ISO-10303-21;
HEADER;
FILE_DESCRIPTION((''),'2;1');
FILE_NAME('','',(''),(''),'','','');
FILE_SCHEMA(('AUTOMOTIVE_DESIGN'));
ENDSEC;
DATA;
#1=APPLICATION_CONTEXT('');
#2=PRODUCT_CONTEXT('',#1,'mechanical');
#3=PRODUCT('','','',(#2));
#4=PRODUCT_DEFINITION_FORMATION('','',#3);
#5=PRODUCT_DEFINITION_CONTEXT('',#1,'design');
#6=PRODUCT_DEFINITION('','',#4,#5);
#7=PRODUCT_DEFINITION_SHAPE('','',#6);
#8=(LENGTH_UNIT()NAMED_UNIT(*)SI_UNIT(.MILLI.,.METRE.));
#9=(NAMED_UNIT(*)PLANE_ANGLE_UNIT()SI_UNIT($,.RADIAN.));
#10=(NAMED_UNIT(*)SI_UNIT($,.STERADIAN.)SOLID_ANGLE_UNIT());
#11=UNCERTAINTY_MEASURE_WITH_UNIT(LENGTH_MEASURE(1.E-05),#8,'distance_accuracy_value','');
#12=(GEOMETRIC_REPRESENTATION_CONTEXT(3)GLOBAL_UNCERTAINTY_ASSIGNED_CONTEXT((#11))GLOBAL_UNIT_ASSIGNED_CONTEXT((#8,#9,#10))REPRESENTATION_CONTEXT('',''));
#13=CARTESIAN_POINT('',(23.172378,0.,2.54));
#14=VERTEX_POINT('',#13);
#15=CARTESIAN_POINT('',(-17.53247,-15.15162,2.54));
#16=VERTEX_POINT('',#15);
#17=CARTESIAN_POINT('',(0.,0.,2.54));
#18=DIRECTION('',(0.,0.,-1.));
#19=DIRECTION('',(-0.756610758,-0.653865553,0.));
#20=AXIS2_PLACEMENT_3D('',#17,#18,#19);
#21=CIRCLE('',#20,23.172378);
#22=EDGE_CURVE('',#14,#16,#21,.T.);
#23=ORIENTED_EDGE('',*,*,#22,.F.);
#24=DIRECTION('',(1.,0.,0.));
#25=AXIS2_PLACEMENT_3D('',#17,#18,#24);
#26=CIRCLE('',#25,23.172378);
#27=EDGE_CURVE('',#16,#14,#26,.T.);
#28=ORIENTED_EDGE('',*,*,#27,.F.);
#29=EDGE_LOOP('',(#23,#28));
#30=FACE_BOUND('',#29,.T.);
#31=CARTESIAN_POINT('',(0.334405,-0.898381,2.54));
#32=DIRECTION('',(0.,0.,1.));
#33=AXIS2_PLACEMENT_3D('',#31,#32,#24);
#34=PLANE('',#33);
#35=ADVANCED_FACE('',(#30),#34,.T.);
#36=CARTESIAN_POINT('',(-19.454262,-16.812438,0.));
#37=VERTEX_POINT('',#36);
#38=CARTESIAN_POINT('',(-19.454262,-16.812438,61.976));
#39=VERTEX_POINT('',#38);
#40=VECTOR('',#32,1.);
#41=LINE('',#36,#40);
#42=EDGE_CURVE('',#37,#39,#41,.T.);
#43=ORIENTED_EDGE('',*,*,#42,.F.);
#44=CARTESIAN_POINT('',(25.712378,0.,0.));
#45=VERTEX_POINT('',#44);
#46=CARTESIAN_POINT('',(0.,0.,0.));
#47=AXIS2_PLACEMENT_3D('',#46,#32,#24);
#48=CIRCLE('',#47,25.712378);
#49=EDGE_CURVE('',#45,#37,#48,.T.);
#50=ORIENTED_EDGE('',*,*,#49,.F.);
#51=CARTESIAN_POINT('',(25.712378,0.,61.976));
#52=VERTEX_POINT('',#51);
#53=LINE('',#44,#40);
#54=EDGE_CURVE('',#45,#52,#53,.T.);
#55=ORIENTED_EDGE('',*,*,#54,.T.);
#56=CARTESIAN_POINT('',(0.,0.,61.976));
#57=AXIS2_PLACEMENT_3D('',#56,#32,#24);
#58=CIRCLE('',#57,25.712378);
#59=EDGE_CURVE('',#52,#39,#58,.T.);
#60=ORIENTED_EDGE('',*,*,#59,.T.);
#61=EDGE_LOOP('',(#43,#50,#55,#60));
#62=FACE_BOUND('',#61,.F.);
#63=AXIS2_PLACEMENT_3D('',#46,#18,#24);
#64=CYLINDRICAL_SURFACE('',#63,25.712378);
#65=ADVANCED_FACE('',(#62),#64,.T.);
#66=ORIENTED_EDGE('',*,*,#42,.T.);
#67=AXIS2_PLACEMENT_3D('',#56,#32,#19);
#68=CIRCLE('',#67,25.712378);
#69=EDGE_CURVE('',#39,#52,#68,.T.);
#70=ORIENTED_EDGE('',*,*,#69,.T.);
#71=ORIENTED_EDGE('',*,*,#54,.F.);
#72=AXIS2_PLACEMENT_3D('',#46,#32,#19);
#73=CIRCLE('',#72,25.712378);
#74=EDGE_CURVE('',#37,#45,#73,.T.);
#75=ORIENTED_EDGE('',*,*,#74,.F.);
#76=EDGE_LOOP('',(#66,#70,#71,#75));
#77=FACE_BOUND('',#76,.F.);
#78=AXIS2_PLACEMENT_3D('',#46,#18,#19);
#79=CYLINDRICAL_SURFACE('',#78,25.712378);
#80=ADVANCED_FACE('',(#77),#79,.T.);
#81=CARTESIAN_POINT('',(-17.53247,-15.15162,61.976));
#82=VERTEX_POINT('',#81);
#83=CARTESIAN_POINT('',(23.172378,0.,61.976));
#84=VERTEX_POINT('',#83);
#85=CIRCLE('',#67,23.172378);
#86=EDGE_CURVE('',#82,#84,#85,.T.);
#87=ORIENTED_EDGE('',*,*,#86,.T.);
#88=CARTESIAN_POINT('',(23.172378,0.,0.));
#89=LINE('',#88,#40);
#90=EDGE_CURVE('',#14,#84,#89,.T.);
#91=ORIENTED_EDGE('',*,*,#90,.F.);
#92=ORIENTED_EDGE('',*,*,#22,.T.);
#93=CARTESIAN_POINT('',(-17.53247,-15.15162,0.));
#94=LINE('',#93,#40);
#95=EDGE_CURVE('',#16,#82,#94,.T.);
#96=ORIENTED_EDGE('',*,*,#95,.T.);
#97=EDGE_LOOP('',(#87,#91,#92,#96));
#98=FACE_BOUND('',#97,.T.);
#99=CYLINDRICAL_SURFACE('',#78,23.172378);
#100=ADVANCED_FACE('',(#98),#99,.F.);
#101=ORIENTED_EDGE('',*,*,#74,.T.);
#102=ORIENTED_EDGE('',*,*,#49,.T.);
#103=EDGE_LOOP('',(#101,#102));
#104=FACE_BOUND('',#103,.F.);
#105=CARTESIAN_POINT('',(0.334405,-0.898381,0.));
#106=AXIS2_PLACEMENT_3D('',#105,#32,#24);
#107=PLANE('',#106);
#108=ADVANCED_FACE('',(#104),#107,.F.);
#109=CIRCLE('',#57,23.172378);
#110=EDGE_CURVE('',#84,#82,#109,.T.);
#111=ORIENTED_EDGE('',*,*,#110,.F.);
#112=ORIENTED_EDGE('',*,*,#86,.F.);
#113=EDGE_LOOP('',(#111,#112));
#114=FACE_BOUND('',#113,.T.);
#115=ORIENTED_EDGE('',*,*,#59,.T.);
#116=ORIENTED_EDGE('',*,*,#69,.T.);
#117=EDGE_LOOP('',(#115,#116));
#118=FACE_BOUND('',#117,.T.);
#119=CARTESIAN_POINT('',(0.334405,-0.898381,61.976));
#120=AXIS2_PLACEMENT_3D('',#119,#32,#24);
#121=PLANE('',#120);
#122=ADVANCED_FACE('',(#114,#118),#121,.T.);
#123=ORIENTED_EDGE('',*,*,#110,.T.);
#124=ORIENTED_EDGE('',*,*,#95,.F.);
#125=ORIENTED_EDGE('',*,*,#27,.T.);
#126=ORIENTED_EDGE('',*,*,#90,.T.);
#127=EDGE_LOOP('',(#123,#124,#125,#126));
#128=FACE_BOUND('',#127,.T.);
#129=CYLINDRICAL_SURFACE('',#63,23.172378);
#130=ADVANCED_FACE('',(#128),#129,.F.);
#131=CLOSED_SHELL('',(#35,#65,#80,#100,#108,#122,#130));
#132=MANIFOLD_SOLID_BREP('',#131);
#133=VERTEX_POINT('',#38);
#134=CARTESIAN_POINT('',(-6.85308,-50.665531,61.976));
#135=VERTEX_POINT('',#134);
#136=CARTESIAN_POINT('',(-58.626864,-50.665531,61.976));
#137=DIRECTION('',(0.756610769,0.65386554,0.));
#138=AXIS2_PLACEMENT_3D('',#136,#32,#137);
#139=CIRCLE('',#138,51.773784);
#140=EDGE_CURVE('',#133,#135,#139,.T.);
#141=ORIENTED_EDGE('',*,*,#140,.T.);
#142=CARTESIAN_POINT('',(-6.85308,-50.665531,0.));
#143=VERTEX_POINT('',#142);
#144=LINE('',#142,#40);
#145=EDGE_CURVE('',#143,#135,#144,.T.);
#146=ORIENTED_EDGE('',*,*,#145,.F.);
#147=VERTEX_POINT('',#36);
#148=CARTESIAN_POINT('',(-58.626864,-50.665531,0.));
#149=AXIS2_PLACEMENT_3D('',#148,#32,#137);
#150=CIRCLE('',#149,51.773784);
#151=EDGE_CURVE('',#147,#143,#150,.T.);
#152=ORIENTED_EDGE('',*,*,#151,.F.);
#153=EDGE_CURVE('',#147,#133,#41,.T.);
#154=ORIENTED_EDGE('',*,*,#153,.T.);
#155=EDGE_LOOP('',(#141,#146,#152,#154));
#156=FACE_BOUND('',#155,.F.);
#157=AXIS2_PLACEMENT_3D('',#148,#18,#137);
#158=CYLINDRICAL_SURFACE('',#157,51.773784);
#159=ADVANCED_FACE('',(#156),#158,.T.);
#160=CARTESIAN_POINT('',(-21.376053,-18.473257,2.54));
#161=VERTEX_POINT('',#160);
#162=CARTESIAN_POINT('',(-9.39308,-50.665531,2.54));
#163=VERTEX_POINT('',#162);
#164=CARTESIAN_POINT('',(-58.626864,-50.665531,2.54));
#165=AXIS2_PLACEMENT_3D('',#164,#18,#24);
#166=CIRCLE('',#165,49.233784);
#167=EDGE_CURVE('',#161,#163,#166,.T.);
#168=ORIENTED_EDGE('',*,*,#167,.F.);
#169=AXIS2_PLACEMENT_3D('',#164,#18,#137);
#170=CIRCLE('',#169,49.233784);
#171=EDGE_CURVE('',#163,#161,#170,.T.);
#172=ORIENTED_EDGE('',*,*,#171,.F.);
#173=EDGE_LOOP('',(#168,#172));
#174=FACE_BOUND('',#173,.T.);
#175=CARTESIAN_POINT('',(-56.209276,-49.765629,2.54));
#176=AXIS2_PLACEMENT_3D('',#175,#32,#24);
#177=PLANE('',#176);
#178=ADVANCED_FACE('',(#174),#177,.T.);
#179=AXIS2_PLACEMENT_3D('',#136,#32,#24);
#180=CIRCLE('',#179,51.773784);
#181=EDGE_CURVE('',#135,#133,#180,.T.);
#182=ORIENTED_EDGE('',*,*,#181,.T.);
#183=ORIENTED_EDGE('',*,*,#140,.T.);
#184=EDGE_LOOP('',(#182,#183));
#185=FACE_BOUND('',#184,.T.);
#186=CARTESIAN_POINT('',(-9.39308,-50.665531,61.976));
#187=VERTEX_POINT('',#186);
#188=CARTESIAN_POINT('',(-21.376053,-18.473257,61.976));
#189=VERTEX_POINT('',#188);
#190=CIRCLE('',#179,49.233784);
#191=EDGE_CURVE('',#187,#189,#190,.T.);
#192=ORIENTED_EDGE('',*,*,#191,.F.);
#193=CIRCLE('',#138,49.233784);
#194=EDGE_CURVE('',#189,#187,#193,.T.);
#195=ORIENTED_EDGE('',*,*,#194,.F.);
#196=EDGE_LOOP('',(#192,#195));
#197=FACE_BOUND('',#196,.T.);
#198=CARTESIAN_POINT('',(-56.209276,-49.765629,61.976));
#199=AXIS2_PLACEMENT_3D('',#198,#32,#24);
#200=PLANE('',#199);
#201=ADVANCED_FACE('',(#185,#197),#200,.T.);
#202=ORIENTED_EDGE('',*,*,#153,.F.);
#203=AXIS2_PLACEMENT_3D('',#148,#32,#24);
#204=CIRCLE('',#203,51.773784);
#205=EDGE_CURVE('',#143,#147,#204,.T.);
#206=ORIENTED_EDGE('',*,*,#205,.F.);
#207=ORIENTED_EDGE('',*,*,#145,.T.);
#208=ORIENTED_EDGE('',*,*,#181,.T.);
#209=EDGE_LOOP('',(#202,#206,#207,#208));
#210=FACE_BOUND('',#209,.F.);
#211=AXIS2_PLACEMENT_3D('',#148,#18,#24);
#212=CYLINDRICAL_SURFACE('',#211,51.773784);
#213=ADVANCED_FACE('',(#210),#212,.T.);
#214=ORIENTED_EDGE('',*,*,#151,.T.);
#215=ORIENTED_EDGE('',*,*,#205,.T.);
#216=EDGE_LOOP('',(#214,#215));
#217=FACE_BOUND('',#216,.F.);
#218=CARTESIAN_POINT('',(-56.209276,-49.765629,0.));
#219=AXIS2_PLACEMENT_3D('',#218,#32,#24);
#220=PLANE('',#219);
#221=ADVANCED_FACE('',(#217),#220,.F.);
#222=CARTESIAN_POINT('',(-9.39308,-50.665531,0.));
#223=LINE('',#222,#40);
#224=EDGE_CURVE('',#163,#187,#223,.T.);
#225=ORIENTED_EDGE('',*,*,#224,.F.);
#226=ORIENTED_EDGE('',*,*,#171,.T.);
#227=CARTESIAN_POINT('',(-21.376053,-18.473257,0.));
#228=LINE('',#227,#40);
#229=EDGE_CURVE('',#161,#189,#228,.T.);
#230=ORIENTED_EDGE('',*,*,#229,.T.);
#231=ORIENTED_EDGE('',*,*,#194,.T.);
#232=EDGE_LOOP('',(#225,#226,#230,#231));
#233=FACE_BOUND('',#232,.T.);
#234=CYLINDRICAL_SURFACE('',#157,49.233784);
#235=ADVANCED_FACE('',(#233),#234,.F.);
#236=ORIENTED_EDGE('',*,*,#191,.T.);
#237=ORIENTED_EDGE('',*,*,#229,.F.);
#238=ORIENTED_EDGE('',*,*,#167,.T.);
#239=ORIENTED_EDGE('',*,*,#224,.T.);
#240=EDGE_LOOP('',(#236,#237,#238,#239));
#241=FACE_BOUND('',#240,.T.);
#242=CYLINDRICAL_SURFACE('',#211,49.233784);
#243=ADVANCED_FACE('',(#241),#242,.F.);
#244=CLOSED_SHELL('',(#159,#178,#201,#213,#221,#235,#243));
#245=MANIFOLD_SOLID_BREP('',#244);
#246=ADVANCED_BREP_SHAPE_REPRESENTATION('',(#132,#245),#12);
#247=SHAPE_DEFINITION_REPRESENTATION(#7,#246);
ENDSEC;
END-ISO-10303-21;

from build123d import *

# Parameters (mm, degrees)
F1_DEPTH = 61.976
F2_T     = -2.54
F2_2_T   = -2.54


with BuildPart() as f1:
    # F0 (on Top) → F1 (new body)
    with BuildSketch(Plane.XY):
        with BuildLine():
            ThreePointArc((-19.4542617316, -16.8124381999), (-107.1481920765, -68.7266891224), (-6.8530802985, -50.6655313075))
            ThreePointArc((-6.8530802985, -50.6655313075), (-10.1055361344, -32.6043734926), (-19.4542617316, -16.8124381999))
        make_face()
    extrude(amount=F1_DEPTH)

    # F2
    f2_openings = [f1.faces().sort_by_distance(p)[0] for p in [
        (-58.626864, -50.665531, 61.976),
    ]]
    offset(amount=F2_T, openings=f2_openings)


with BuildPart() as f1b:
    # F0 (on Top) → F1, piece 2 (new body)
    with BuildSketch(Plane.XY):
        with BuildLine():
            ThreePointArc((25.7123779092, 0), (-8.9697003339, 24.0971129737), (-19.4542617316, -16.8124381999))
            ThreePointArc((-19.4542617316, -16.8124381999), (8.9697003339, -24.0971129737), (25.7123779092, 0))
        make_face()
    extrude(amount=F1_DEPTH)

    # F2#2
    f2_2_openings = [f1b.faces().sort_by_distance(p)[0] for p in [
        (0, 0, 61.976),
    ]]
    offset(amount=F2_2_T, openings=f2_2_openings)


solid = Compound([f1.part, f1b.part])
